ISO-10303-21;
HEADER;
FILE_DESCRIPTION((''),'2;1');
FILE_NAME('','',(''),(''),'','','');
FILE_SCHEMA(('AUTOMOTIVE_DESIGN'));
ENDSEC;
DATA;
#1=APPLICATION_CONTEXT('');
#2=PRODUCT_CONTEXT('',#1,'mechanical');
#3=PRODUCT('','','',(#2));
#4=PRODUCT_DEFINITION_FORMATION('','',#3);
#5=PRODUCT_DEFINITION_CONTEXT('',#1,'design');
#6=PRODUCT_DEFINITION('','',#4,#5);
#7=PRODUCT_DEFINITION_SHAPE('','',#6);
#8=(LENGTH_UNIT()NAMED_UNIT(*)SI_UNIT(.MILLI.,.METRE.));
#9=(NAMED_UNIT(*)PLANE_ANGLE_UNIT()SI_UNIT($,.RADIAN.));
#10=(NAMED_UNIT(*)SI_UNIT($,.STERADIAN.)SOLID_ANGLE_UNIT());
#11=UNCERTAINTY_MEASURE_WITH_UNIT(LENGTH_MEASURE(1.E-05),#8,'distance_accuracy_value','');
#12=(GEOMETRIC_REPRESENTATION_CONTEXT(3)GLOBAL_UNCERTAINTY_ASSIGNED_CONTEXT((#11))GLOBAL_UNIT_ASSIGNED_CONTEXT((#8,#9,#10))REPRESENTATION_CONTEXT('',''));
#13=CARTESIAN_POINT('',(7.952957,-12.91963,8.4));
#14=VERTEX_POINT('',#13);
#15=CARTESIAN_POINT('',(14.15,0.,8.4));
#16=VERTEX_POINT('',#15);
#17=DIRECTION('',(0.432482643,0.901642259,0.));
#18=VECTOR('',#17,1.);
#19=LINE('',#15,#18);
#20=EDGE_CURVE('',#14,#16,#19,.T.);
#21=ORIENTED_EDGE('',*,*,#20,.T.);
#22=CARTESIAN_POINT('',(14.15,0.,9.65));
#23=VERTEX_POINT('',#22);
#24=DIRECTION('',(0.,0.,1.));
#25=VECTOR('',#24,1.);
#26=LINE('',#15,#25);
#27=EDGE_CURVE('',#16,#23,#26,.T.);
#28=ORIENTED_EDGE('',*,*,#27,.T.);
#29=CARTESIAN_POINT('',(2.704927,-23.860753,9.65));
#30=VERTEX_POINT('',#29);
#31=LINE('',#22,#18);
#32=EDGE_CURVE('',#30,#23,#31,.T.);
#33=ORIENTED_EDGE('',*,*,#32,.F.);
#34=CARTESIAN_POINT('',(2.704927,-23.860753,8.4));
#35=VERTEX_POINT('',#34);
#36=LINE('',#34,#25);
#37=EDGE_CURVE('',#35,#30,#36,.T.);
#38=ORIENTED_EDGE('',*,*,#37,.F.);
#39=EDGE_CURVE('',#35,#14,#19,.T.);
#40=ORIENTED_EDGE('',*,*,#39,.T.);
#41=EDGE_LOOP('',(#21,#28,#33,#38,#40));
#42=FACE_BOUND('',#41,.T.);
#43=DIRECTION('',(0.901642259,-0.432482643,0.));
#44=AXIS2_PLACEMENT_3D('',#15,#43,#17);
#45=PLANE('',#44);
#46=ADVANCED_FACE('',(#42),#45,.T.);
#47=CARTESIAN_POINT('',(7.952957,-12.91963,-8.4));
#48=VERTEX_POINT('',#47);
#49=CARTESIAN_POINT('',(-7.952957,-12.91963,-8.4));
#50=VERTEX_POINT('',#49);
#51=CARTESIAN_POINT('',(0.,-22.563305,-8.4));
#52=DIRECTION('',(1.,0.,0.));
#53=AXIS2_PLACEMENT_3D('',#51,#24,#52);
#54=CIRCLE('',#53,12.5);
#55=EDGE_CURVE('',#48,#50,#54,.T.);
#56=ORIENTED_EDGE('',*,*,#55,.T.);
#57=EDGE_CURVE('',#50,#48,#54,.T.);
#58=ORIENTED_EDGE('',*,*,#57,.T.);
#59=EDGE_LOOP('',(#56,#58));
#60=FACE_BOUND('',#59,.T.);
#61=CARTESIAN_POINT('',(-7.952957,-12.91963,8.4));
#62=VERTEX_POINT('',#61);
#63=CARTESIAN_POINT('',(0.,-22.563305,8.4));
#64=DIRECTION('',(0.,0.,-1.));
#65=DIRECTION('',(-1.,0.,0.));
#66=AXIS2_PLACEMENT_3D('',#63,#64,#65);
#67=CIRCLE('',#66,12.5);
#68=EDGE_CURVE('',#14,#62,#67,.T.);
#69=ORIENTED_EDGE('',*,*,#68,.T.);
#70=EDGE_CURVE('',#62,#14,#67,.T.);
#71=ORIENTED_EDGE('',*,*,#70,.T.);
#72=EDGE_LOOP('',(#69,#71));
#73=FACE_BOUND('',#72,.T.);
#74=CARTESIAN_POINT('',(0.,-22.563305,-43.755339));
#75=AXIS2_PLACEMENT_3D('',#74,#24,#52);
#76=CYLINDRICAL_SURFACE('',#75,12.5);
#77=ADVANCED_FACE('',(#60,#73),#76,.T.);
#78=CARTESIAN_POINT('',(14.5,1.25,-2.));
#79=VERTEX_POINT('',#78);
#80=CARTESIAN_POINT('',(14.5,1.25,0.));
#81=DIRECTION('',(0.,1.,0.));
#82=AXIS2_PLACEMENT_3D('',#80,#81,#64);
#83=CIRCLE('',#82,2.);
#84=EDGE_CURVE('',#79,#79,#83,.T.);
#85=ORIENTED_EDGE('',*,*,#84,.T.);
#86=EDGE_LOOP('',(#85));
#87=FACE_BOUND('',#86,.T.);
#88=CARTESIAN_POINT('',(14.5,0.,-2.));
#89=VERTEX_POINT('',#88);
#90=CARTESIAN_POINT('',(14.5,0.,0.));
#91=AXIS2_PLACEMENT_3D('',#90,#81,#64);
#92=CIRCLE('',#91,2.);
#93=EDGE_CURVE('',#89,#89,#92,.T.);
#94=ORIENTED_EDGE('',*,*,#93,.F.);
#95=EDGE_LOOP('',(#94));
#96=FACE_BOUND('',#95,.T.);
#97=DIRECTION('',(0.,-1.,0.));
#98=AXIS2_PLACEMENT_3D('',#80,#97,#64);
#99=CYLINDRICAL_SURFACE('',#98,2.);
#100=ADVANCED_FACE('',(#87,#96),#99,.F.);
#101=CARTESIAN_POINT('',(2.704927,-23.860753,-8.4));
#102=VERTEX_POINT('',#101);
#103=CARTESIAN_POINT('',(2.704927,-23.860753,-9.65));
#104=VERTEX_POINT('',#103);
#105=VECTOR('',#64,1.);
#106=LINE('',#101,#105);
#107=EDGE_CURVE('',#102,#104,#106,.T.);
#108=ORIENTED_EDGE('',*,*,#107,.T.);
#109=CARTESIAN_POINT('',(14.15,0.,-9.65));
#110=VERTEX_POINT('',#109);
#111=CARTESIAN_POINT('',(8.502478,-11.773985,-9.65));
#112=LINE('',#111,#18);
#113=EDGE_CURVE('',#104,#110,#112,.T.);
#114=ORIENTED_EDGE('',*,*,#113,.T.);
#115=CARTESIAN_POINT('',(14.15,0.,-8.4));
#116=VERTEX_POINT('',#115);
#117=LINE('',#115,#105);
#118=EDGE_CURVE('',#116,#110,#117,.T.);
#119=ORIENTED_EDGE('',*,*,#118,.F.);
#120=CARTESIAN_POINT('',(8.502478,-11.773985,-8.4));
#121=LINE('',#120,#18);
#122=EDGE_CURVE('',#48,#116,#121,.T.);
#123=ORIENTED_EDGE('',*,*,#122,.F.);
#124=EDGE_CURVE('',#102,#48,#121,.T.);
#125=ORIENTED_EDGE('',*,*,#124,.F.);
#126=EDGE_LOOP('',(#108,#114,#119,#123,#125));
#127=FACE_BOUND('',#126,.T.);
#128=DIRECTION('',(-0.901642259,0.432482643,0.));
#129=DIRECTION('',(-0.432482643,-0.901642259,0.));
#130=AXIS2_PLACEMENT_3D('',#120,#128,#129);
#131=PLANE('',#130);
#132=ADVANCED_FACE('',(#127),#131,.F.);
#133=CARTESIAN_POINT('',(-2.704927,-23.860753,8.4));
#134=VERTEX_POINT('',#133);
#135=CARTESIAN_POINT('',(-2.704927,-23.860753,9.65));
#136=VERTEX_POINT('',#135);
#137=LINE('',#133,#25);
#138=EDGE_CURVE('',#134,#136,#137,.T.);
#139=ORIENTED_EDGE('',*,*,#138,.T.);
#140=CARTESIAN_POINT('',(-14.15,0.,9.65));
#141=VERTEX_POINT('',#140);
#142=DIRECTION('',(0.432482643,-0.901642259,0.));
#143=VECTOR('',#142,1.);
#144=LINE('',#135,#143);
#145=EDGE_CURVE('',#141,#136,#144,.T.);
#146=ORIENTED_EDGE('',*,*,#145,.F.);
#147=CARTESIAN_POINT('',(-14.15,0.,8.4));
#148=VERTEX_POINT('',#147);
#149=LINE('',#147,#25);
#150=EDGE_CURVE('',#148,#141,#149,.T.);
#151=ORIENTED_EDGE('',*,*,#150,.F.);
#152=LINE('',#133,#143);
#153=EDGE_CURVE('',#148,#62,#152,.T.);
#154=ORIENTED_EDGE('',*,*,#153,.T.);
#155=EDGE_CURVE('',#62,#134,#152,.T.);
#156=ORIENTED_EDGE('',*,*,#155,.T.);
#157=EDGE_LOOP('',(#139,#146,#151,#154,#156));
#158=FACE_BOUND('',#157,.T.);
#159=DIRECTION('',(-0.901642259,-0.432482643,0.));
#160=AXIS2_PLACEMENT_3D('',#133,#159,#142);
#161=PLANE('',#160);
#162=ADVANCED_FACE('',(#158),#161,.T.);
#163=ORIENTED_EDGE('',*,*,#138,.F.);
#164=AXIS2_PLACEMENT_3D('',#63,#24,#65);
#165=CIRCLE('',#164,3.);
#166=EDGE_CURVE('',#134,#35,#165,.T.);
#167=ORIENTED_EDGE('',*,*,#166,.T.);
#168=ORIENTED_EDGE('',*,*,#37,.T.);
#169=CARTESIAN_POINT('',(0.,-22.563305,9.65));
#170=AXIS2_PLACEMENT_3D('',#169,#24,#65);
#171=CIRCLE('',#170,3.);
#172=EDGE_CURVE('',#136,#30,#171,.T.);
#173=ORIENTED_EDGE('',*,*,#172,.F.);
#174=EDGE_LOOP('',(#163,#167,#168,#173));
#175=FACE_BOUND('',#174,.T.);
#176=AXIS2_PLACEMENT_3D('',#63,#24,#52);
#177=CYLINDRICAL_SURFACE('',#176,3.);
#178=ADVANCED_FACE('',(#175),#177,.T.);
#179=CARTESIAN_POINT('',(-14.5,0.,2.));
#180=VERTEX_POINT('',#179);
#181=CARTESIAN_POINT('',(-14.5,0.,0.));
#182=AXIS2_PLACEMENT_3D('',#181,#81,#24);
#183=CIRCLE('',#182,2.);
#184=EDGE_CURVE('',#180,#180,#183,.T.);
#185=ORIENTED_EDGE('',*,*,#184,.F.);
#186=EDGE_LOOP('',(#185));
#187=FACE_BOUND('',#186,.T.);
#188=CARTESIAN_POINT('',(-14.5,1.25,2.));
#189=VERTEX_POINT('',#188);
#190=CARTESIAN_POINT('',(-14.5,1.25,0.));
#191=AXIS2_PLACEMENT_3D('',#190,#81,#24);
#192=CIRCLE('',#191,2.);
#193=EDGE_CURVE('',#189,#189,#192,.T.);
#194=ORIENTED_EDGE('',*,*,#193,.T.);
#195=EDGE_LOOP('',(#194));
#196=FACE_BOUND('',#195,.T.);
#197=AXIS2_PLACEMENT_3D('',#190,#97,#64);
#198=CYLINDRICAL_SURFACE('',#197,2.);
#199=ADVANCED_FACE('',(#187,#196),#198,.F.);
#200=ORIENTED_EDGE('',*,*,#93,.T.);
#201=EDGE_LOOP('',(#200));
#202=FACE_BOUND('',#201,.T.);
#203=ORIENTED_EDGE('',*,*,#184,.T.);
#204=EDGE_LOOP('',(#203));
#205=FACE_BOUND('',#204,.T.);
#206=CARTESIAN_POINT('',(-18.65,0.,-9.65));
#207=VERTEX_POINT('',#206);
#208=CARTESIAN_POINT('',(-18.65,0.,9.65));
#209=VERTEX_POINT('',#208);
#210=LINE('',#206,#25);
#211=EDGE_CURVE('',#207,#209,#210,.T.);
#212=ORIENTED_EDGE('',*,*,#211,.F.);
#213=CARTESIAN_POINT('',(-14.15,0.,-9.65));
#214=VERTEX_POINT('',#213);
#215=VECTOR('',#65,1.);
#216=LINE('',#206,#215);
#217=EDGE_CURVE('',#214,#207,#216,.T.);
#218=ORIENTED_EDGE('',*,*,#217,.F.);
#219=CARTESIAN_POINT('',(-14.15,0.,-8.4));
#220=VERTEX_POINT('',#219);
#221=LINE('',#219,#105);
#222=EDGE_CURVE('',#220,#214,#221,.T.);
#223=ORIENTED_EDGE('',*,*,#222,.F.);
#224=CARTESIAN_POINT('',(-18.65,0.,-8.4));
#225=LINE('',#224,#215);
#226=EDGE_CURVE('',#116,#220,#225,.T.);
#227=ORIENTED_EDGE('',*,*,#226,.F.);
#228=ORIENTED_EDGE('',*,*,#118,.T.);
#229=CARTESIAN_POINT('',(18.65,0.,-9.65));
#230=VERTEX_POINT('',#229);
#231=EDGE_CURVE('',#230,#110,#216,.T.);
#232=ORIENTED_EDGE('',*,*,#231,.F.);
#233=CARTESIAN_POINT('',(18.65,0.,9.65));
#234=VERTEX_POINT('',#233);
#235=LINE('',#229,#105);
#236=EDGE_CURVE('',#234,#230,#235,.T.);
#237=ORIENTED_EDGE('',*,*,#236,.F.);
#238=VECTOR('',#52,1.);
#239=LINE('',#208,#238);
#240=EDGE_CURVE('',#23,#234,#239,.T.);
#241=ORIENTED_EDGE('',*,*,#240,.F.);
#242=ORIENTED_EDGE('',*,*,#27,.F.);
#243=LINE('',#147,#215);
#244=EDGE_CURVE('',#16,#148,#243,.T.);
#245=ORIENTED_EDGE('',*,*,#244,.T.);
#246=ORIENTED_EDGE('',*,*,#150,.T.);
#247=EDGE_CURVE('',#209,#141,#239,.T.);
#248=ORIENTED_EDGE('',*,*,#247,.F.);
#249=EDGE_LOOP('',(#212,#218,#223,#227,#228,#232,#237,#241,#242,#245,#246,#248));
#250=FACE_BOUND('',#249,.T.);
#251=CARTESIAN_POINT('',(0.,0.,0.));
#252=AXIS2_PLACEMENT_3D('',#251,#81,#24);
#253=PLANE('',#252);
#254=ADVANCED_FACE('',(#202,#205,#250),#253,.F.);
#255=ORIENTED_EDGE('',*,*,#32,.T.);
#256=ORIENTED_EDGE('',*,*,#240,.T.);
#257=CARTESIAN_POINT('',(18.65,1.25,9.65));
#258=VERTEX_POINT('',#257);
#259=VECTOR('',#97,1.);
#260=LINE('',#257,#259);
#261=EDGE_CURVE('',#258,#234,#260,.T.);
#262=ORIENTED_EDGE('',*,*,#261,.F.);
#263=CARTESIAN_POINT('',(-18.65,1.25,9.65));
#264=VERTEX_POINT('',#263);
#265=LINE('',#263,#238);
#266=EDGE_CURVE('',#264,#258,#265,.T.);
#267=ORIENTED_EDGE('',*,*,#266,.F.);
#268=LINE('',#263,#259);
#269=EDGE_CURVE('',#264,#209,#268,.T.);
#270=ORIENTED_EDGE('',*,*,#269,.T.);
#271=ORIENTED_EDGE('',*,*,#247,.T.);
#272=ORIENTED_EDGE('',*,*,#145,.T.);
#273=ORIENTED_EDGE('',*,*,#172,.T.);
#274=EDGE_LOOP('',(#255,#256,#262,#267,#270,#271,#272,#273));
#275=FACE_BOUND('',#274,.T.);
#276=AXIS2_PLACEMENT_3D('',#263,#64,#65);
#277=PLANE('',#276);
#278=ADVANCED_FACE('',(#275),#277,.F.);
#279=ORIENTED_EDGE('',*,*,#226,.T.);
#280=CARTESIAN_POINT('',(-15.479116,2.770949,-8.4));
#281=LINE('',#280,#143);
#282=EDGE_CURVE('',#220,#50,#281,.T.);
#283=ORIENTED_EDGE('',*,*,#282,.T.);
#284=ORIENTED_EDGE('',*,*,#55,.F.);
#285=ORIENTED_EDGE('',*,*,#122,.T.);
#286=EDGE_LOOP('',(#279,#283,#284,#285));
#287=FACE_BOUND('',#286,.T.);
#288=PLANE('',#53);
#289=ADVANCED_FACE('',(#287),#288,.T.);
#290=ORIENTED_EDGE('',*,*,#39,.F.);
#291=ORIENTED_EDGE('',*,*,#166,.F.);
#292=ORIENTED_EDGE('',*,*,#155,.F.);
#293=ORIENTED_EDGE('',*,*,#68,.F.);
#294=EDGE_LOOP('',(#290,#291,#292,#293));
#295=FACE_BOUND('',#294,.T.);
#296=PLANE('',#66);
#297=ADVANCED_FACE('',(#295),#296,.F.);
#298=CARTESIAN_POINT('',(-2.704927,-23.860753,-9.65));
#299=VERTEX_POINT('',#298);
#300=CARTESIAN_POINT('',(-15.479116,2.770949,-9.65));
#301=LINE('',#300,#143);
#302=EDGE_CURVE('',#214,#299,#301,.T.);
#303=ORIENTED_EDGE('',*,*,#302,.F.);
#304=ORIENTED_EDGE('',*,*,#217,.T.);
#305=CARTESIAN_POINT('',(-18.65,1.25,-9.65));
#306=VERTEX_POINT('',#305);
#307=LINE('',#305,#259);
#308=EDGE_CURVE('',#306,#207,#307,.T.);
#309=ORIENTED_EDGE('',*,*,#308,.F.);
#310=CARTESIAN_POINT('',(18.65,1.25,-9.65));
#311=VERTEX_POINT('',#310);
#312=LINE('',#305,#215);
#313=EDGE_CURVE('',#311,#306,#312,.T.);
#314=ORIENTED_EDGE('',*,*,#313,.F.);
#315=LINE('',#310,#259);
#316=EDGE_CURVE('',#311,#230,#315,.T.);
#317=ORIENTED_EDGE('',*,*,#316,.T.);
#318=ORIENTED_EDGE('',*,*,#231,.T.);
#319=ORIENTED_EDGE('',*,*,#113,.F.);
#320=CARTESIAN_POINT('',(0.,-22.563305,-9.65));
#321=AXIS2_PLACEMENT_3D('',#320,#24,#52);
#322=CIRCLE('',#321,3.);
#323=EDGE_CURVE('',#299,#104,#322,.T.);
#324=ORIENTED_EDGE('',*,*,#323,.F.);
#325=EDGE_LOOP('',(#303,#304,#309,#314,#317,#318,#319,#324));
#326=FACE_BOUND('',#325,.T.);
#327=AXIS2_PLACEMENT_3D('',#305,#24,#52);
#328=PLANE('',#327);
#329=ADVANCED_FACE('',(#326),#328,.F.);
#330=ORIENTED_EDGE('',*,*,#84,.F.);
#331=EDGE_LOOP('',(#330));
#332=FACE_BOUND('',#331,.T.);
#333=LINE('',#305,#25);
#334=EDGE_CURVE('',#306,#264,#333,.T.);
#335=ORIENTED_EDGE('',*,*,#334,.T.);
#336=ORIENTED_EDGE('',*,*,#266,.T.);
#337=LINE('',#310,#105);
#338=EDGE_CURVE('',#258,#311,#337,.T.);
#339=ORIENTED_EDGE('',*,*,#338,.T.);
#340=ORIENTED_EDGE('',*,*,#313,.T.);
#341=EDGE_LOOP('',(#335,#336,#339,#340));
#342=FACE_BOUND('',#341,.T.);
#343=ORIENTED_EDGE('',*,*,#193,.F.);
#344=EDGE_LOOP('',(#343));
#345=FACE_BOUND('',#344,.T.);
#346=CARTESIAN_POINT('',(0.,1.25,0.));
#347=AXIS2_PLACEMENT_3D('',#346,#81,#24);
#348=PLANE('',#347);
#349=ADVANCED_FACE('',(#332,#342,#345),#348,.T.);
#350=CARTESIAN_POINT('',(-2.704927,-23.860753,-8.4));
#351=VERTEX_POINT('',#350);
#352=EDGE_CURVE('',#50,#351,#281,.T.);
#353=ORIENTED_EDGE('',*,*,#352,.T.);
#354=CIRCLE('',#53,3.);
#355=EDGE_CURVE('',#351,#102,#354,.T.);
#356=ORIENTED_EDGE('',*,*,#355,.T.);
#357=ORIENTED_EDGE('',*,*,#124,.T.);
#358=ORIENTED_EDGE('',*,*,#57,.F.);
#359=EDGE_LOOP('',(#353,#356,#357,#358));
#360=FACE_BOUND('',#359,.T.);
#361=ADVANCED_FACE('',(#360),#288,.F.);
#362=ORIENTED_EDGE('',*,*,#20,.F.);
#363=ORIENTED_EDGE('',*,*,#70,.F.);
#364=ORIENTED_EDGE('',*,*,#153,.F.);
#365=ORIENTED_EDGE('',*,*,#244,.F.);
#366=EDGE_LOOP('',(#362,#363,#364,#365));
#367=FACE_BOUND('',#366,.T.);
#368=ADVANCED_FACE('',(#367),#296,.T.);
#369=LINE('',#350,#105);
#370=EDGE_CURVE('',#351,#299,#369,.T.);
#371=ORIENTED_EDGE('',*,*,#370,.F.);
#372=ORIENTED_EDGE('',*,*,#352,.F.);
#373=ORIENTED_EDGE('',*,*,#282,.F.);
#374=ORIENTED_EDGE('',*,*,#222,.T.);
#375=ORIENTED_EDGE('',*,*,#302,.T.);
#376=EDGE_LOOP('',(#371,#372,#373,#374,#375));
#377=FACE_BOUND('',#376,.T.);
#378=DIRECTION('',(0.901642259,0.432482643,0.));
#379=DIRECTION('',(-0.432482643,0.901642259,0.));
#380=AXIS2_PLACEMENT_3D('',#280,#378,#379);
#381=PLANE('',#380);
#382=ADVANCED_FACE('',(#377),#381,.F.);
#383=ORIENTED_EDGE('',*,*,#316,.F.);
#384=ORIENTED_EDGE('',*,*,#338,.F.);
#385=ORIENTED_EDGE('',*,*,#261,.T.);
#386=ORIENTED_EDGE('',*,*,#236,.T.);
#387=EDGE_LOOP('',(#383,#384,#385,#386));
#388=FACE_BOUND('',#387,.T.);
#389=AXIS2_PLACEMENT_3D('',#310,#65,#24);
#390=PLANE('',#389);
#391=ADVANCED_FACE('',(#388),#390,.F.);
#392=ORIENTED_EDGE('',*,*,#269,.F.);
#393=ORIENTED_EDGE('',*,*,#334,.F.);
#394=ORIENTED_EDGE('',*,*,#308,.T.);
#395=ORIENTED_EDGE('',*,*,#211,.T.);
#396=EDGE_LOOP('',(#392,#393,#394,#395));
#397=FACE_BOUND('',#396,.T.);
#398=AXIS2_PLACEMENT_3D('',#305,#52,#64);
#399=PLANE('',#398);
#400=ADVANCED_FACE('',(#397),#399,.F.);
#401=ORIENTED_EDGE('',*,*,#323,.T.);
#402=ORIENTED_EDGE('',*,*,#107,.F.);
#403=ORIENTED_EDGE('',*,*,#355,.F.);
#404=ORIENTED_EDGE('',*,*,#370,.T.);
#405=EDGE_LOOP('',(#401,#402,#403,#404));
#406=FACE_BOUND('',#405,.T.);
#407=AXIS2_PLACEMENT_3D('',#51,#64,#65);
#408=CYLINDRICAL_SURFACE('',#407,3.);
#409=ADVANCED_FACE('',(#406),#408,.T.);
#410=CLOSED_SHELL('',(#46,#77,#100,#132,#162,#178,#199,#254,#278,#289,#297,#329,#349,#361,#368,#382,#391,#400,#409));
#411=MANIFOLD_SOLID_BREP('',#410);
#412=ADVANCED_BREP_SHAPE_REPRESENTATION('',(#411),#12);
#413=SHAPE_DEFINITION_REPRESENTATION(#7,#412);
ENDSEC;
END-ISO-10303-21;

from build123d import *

# Parameters (mm, degrees)
SKETCH1_W           = 37.3
SKETCH1_H           = 19.3
SKETCH1_R           = 2
BOSS_EXTRUDE1_DEPTH = 1.25
BOSS_EXTRUDE2_DEPTH = 1.25
BOSS_EXTRUDE3_START = -18.05
BOSS_EXTRUDE3_DEPTH = 1.25
SKETCH3_R           = 12.5
BOSS_EXTRUDE4_DEPTH = 16.8


with BuildPart() as part:
    # Sketch1 → Boss-Extrude1 (new body)
    with BuildSketch(Plane(origin=(0, 0, 0), x_dir=(1, 0, 0), z_dir=(0, 1, 0))):
        Rectangle(SKETCH1_W, SKETCH1_H)
        with Locations(Location((-14.5, 0, 0), (0, 0, 270))):
            Circle(SKETCH1_R, mode=Mode.SUBTRACT)
        with Locations(Location((14.5, 0, 0), (0, 0, 90))):
            Circle(SKETCH1_R, mode=Mode.SUBTRACT)
    extrude(amount=BOSS_EXTRUDE1_DEPTH)

    # Sketch2 → Boss-Extrude2 (add)
    with BuildSketch(Plane.XY.offset(9.65)):
        with BuildLine():
            Line((-14.15, 0), (14.15, 0))
            Line((14.15, 0), (2.704926778, -23.860753361))
            ThreePointArc((2.704926778, -23.860753361), (0, -25.563305432), (-2.704926778, -23.860753361))
            Line((-2.704926778, -23.860753361), (-14.15, 0))
        make_face()
    extrude(amount=-BOSS_EXTRUDE2_DEPTH)

    # Sketch2<2> → Boss-Extrude3 (add)
    with BuildSketch(Plane.XY.offset(9.65).offset(BOSS_EXTRUDE3_START)):
        with BuildLine():
            Line((-14.15, 0), (14.15, 0))
            Line((14.15, 0), (2.704926778, -23.860753361))
            ThreePointArc((2.704926778, -23.860753361), (0, -25.563305432), (-2.704926778, -23.860753361))
            Line((-2.704926778, -23.860753361), (-14.15, 0))
        make_face()
    extrude(amount=-BOSS_EXTRUDE3_DEPTH)

    # Sketch3 → Boss-Extrude4 (add)
    with BuildSketch(Plane(origin=(0, 0, 8.4), x_dir=(-1, 0, 0), z_dir=(0, 0, -1))):
        with Locations(Location((0, -22.563305432, 0), (0, 0, 129.511758747))):
            Circle(SKETCH3_R)
    extrude(amount=BOSS_EXTRUDE4_DEPTH)


solid = part.part
